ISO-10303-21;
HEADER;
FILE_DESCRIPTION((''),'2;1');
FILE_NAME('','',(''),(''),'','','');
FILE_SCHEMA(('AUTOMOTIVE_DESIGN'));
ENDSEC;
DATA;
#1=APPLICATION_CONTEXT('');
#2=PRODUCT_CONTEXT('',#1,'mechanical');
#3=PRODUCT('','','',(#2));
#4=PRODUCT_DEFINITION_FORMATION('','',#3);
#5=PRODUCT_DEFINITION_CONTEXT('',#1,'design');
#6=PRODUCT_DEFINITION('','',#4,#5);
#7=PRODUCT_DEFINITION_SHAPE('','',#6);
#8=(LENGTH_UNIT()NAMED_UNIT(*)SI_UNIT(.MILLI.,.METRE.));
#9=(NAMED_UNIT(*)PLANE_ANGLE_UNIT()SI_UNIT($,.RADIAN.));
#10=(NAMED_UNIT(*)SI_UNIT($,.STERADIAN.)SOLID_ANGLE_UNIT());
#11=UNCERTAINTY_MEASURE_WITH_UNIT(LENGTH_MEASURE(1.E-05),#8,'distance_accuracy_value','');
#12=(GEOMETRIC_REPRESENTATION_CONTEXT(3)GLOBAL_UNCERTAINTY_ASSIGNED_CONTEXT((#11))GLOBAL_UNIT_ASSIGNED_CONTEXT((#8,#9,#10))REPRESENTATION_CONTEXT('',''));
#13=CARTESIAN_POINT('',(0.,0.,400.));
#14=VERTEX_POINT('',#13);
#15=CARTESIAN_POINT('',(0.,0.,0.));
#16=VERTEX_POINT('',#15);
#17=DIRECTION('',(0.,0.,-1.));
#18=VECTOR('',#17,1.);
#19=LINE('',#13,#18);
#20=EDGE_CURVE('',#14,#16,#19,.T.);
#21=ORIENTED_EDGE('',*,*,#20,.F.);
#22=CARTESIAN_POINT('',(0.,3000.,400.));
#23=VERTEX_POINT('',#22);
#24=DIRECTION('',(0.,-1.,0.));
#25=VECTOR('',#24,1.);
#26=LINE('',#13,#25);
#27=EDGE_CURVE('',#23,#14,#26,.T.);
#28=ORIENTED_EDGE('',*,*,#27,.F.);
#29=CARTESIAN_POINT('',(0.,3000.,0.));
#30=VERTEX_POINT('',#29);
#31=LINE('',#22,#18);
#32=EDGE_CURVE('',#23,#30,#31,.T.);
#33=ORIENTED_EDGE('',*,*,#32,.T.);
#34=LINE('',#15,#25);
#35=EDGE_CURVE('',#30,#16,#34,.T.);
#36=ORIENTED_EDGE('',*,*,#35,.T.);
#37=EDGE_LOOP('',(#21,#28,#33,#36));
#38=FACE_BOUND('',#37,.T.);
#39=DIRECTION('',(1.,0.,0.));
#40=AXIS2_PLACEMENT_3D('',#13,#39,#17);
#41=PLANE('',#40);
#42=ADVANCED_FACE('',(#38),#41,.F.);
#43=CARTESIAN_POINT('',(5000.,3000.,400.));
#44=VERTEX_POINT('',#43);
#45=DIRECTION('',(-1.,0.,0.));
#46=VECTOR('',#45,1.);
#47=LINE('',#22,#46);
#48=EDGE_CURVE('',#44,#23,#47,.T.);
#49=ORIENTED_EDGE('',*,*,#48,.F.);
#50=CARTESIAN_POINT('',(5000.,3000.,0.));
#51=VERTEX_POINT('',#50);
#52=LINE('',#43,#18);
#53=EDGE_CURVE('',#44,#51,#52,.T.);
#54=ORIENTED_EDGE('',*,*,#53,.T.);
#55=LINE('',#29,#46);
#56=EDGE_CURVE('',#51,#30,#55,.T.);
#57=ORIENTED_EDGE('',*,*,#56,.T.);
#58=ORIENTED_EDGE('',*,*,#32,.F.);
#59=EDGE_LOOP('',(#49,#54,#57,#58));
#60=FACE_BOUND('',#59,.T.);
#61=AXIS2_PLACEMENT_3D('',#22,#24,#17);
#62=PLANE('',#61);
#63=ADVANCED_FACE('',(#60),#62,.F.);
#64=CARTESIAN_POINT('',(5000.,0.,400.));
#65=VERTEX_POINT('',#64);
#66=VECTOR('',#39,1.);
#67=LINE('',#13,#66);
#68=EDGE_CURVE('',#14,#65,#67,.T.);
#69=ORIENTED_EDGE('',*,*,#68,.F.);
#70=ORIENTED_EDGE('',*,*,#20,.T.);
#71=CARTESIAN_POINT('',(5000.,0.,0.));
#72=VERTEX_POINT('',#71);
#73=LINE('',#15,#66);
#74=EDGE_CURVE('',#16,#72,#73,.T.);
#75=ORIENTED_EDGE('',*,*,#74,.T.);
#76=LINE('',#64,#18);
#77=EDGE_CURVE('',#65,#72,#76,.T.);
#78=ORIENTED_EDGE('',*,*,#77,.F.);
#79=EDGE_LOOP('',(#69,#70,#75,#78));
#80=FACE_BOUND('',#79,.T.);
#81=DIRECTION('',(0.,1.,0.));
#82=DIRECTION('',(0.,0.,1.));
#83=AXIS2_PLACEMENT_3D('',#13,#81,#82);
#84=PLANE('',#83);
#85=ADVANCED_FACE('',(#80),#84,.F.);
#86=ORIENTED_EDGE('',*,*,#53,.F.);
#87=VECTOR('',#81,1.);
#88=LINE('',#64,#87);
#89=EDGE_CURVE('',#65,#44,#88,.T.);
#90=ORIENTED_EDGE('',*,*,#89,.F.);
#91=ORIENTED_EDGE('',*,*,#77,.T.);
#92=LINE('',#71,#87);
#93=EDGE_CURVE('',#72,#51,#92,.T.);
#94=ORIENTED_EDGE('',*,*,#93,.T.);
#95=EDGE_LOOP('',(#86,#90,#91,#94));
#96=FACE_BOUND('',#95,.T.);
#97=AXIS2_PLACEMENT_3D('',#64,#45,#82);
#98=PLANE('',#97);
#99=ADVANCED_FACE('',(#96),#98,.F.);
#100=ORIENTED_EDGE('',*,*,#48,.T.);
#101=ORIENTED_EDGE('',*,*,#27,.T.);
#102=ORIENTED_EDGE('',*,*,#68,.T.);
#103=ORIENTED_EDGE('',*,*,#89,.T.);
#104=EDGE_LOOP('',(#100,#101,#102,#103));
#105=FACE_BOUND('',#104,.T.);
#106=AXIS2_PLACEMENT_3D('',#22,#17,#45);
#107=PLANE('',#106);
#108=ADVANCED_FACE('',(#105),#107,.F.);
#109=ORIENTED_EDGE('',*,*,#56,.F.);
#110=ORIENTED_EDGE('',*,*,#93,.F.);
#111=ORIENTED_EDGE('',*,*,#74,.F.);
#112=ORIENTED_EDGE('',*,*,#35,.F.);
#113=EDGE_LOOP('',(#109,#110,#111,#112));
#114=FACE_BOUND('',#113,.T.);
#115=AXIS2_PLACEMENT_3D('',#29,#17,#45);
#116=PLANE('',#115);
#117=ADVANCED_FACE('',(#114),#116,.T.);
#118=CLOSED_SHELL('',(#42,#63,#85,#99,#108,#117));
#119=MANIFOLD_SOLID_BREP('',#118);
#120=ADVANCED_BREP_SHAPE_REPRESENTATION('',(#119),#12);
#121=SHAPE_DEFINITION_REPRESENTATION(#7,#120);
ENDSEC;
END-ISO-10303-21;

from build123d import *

# Parameters (mm, degrees)
ESQUISSE1_W          = 5000
ESQUISSE1_H          = 3000
BASE_EXTRUSION_DEPTH = 400


with BuildPart() as part:
    # Esquisse1 → Base-Extrusion (new body)
    with BuildSketch(Plane.XY):
        with Locations((2500, 1500)):
            Rectangle(ESQUISSE1_W, ESQUISSE1_H)
    extrude(amount=BASE_EXTRUSION_DEPTH)


solid = part.part
